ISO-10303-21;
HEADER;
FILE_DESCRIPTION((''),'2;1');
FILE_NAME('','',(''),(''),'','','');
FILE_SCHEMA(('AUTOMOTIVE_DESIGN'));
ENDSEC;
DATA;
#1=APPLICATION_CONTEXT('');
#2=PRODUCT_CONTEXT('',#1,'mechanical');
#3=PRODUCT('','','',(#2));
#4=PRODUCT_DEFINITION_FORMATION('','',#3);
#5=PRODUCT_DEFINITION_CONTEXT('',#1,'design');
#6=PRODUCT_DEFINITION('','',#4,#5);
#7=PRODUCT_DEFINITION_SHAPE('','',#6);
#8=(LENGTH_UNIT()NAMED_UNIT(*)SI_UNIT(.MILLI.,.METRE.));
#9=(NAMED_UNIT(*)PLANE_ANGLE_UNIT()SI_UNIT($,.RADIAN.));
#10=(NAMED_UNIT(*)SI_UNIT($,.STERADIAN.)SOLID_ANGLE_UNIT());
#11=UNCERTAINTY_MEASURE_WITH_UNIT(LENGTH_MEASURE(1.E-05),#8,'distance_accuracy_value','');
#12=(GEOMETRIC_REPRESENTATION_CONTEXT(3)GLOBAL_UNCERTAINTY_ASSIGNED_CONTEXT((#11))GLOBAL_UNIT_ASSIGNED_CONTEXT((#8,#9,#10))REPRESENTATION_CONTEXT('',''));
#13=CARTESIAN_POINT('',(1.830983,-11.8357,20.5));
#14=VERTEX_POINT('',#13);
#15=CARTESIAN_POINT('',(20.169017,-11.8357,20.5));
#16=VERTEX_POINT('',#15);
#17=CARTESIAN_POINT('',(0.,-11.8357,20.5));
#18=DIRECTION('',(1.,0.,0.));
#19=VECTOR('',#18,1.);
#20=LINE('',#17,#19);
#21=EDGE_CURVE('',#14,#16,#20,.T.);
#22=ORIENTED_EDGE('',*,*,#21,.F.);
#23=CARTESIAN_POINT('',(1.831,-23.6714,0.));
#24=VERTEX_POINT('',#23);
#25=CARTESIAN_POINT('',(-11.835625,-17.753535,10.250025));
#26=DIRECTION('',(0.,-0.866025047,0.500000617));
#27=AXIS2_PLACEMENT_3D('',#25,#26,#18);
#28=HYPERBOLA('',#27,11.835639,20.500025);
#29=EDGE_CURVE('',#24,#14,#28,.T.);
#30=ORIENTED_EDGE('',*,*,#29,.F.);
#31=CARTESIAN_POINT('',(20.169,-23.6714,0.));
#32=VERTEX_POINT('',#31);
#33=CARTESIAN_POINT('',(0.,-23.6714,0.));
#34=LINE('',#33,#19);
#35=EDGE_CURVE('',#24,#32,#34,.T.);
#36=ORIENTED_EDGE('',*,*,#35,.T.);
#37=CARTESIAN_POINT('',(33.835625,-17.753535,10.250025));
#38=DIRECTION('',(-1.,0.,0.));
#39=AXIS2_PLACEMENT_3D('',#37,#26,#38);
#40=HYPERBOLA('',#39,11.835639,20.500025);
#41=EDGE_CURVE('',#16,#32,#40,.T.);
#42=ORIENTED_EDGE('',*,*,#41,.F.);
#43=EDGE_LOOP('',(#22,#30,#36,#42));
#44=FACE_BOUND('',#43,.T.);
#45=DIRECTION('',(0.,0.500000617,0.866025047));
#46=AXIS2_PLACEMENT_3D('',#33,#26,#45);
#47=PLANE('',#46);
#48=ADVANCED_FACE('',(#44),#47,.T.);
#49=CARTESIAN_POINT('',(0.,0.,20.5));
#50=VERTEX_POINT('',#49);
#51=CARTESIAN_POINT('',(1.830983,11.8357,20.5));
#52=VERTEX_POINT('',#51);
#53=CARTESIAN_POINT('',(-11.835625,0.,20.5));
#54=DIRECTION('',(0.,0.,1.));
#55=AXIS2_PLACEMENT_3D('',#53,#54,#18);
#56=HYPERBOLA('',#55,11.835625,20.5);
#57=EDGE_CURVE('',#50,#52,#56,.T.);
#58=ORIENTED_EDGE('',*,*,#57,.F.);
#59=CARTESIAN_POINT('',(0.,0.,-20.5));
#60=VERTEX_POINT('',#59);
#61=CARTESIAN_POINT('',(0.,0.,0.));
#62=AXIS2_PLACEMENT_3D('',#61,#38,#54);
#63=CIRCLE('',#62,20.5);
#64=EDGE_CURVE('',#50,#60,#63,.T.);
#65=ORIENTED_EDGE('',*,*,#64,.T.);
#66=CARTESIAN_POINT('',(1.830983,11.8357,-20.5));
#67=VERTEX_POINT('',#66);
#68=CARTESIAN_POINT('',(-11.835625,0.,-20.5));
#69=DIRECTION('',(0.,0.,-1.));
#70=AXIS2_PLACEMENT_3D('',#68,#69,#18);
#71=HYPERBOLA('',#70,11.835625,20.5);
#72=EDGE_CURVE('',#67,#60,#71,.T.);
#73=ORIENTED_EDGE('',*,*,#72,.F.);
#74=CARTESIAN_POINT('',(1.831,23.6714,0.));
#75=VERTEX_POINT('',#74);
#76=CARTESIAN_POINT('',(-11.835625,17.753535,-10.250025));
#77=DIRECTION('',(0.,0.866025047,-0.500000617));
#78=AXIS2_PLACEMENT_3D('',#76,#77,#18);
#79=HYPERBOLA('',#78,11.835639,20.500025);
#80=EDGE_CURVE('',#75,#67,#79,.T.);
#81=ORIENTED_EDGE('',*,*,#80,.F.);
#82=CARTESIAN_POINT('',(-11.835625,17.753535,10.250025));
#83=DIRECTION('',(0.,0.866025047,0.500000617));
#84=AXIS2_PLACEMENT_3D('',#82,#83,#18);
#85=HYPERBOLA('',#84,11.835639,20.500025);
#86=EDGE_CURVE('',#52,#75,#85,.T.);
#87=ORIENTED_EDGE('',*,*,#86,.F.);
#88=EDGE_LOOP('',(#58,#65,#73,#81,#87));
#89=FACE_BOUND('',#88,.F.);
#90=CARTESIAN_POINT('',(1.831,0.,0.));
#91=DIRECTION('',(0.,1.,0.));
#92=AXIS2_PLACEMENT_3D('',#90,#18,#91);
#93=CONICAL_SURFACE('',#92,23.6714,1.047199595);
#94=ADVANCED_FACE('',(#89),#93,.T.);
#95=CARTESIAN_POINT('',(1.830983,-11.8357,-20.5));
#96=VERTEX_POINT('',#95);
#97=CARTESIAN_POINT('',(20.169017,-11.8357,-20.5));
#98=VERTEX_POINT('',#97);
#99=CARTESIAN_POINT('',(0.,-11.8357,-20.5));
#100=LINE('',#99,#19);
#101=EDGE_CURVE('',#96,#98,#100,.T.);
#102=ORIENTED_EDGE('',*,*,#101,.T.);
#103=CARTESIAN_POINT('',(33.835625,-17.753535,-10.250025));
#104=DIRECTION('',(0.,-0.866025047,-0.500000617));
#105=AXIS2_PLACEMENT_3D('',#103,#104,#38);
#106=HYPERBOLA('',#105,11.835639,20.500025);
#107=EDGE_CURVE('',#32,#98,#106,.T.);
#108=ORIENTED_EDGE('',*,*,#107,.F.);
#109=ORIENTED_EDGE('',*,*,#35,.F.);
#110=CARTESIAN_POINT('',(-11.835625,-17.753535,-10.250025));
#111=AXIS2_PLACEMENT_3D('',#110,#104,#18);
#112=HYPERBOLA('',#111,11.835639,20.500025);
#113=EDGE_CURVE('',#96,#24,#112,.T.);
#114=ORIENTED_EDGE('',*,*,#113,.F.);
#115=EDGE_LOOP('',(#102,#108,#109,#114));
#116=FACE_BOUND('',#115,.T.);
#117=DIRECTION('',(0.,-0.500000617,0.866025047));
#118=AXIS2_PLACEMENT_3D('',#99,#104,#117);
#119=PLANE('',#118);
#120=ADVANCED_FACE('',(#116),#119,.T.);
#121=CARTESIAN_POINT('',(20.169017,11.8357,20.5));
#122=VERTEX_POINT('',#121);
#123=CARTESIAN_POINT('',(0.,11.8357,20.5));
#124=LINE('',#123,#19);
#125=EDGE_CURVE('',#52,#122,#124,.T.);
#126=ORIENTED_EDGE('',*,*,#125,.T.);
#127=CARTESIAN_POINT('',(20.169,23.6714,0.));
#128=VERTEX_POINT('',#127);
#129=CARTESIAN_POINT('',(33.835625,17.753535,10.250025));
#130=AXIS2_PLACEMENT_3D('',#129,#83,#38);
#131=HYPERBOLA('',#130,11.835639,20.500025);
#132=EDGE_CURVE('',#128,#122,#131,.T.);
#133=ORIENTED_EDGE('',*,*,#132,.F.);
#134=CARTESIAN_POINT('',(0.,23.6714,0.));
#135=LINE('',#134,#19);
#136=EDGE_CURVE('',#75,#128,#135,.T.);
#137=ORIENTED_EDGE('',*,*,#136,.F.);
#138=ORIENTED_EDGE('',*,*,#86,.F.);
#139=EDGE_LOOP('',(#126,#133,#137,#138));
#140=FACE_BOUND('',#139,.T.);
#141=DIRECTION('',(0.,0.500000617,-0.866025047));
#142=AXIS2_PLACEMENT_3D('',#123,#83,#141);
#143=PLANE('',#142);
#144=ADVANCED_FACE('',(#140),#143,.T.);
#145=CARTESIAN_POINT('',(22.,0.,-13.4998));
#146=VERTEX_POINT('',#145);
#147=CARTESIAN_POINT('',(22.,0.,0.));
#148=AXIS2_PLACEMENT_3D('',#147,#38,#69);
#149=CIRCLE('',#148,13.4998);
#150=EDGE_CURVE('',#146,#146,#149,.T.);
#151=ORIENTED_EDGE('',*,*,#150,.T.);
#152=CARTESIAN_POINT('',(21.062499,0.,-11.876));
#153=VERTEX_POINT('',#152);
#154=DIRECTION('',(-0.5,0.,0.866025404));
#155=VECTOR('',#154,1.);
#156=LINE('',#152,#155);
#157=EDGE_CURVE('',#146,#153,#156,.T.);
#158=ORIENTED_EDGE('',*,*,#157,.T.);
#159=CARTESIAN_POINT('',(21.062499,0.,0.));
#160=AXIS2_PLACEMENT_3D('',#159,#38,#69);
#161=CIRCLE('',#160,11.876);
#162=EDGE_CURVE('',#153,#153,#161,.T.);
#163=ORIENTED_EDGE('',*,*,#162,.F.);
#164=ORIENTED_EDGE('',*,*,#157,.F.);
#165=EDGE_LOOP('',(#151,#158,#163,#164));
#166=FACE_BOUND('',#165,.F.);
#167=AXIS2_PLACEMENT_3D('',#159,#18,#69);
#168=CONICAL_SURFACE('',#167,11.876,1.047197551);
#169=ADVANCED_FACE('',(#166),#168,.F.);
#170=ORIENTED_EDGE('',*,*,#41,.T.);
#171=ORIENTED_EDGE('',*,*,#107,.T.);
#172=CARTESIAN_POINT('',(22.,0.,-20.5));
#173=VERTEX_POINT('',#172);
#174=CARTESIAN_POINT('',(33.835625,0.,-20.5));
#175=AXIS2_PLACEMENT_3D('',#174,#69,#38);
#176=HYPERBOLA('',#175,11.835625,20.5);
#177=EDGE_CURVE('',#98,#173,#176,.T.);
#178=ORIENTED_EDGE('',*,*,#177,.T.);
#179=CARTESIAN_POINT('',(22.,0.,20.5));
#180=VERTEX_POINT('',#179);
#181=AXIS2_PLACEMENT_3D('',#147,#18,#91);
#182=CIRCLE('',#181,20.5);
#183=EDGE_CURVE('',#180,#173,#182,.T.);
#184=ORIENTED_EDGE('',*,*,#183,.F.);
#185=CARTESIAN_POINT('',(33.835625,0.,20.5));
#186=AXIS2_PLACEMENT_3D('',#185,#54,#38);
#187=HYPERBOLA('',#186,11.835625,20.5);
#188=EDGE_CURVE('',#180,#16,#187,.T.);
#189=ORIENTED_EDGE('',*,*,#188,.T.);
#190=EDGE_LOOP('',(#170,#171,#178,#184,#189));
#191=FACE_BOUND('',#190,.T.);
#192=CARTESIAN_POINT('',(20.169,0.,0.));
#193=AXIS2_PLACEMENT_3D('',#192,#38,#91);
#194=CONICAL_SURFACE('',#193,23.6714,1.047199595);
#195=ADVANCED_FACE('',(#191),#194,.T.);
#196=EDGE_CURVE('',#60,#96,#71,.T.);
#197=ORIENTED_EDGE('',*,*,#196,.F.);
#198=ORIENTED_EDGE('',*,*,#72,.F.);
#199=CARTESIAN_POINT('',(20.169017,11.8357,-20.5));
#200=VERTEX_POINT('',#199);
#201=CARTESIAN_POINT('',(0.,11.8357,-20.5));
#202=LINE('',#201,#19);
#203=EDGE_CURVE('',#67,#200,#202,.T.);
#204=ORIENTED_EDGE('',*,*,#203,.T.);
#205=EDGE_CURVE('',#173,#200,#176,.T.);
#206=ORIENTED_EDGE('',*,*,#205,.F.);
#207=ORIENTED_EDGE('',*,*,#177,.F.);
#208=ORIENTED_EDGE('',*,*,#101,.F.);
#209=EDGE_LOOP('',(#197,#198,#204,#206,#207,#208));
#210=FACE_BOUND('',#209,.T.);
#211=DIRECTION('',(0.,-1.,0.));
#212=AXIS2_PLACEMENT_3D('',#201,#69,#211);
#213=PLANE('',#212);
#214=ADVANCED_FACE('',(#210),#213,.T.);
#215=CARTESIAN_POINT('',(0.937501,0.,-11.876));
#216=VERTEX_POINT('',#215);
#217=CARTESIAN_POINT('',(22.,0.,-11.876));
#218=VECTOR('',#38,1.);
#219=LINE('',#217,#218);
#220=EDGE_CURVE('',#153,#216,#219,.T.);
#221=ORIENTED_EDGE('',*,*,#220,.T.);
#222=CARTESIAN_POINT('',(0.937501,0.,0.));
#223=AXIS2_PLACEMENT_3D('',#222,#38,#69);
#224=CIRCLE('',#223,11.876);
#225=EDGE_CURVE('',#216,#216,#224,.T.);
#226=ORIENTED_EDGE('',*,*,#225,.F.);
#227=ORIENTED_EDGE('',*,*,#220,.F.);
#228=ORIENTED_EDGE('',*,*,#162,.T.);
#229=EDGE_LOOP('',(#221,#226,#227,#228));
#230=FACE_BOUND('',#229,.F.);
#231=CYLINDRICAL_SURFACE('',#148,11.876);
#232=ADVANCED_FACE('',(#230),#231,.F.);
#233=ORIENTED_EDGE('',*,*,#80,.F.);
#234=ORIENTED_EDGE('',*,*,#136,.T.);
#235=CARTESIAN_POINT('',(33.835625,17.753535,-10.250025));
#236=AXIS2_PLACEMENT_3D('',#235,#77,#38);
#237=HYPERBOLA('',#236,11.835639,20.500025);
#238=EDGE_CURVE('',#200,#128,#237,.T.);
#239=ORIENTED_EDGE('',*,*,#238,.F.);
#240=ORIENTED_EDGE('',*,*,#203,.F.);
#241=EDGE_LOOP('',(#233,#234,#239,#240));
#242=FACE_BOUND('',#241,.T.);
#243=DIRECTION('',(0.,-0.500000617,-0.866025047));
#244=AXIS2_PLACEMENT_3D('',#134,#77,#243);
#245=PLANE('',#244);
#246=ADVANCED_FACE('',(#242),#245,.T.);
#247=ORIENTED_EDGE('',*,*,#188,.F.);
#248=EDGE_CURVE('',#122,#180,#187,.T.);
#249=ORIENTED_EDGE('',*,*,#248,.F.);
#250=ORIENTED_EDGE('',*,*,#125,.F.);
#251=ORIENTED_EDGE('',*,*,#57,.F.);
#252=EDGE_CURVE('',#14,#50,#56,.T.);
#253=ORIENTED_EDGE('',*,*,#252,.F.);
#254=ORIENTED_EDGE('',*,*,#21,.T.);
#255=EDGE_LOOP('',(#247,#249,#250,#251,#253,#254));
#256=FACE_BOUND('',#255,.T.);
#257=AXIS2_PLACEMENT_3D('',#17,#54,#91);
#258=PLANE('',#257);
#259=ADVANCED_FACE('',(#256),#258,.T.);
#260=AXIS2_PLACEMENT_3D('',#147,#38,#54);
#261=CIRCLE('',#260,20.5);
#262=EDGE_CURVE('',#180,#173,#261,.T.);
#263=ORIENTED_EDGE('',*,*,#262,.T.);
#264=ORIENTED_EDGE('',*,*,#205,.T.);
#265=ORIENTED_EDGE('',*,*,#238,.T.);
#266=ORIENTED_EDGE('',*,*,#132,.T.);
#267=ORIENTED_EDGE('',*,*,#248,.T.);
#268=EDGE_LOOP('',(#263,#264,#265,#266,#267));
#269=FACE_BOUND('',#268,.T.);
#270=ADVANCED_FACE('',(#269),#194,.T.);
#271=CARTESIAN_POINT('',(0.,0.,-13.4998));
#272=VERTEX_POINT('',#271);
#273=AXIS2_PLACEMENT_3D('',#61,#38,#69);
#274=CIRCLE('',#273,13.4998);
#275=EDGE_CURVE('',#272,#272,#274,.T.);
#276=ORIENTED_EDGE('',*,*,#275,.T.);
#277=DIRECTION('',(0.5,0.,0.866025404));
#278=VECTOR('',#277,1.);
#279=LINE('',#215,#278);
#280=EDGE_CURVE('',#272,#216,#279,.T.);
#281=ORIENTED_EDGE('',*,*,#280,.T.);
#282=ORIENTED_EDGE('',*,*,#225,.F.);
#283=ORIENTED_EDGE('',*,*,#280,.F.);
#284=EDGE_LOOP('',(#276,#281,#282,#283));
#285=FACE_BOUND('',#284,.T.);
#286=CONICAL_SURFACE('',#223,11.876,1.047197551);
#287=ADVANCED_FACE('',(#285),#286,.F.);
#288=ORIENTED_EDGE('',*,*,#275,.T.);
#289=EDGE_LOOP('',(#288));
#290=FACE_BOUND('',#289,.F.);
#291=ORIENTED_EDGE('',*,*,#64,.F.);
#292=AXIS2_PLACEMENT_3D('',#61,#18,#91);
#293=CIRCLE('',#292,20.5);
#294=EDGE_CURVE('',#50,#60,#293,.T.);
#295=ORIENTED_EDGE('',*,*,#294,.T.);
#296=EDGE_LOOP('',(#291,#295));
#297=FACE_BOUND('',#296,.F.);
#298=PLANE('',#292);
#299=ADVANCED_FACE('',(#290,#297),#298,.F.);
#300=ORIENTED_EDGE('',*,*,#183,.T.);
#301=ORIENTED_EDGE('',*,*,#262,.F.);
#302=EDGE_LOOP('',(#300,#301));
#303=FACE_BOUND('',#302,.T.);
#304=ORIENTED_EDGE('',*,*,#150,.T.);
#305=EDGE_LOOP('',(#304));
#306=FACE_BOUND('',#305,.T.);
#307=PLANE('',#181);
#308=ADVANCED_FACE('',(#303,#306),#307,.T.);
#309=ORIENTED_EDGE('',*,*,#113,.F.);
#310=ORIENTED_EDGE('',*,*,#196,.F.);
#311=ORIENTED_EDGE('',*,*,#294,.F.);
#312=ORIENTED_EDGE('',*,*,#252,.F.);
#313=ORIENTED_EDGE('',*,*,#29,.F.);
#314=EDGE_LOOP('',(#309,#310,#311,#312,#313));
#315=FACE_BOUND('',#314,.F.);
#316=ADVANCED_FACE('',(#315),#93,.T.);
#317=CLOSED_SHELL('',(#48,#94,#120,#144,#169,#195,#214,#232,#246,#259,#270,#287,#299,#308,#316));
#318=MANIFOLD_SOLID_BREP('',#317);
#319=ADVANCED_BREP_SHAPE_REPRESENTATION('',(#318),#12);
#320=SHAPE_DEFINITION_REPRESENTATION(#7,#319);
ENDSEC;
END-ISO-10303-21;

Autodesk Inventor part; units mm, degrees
ref_plane "YZ Plane" through (0, 0, 0) normal (1, 0, 0) x (0, 1, 0)
ref_plane "XZ Plane" through (0, 0, 0) normal (0, 1, 0) x (-1, 0, 0)
sketch "Sketch1" plane through (0, 0, 0) normal (1, 0, 0) x (0, 1, 0)
  line L0 (-23.6714, 0) -> (-11.8357, 20.5)
  line L1 (-11.8357, 20.5) -> (11.8357, 20.5)
  line L2 (11.8357, 20.5) -> (23.6714, 0)
  line L3 (23.6714, 0) -> (11.8357, -20.5)
  line L4 (11.8357, -20.5) -> (-11.8357, -20.5)
  line L5 (-11.8357, -20.5) -> (-23.6714, 0)
  point P0 (0, 0)
  point P1 (0, 0)
  dimension "d0" = 47.3427
extrude "Body" add sketch "Sketch1" along normal blind 22
sketch "Sketch2" plane through (0, 0, 0) normal (0, 0, 1) x (1, 0, 0)
  line L0 (0, 11.8357) -> (0, 23.6714) projected
  line L1 (0, 23.6714) -> (22, 23.6714) projected
  line L2 (22, 11.8357) -> (22, 23.6714) projected
  line L3 (-4.4, 0) -> (26.4, 0) projected
  line L4 (1.831, 23.6714) -> (0, 20.5)
  line L5 (20.169, 23.6714) -> (22, 20.5)
  dimension "d3" = 30
  dimension "d4" = 30
  dimension "d5" = 41
  dimension "d6" = 41
revolve "Chamfer1" cut sketch "Sketch2" angle 360 about axis through (-10, 0, 0) along (1, 0, 0)
sketch "Sketch3" plane through (22, 0, 0) normal (1, 0, 0) x (0, 0, -1)
  arc A0 (-10.25, -17.7535) -> (10.25, -17.7535) centre (0, 0) ccw projected
hole "Thread" at (22, 0, 0) direction (-1, 0, 0) diameter 23.752 end through all thread size "M27x3" class "6H" standard "ISO Metric profile"
chamfer "Chamfer2" distance 1.6238 angle 30 1 edges at (22, 0, 11.876) measured on face at (22, 17.5216, -0.4772)
chamfer "Chamfer3" distance 1.6238 angle 30 1 edges at (0, 0, 11.876) measured on face at (0, 17.5216, -0.4772)
ref_plane "Work Plane1" through (-44.3802, 0, 0) normal (0, -0.866, -0.5) x (1, 0, 0)
equation "\"d0\" = 1.1547 * SW"
equation "\"d1\" = KOH"
equation "\"d8\" = -0.5 * GD1 + 0.5 * NND"
equation "\"d40\" = -0.5 * GD1 + 0.5 * NND"
equation "\"d10\" = -0.5 * GD1 + 0.5 * NND"
equation "\"d41\" = -0.5 * GD1 + 0.5 * NND"
equation "\"d3\" = ANG1"
equation "\"d4\" = ANG2"
equation "\"d5\" = SW0"
equation "\"d6\" = SW01"
equation "\"ANG1\" = 30deg"
equation "\"ANG2\" = ANG1"
equation "\"NND\" = 27"
equation "\"KOH\" = 22"
equation "\"SW\" = 41"
equation "\"SW0\" = SW"
equation "\"SW01\" = SW"
equation "\"GUL\" = 0.541266 * PTC"
equation "\"THREADDIA\" = 27"
equation "\"TOA\" = 30deg"
equation "\"PTC\" = 3"
equation "\"E0\" = 1.155 * SW"
equation "\"GAL\" = 0.541266 * PTC"
equation "\"GD1\" = 23.752405"
properties part number "BS 3692 - M27" material "Steel, Mild"
